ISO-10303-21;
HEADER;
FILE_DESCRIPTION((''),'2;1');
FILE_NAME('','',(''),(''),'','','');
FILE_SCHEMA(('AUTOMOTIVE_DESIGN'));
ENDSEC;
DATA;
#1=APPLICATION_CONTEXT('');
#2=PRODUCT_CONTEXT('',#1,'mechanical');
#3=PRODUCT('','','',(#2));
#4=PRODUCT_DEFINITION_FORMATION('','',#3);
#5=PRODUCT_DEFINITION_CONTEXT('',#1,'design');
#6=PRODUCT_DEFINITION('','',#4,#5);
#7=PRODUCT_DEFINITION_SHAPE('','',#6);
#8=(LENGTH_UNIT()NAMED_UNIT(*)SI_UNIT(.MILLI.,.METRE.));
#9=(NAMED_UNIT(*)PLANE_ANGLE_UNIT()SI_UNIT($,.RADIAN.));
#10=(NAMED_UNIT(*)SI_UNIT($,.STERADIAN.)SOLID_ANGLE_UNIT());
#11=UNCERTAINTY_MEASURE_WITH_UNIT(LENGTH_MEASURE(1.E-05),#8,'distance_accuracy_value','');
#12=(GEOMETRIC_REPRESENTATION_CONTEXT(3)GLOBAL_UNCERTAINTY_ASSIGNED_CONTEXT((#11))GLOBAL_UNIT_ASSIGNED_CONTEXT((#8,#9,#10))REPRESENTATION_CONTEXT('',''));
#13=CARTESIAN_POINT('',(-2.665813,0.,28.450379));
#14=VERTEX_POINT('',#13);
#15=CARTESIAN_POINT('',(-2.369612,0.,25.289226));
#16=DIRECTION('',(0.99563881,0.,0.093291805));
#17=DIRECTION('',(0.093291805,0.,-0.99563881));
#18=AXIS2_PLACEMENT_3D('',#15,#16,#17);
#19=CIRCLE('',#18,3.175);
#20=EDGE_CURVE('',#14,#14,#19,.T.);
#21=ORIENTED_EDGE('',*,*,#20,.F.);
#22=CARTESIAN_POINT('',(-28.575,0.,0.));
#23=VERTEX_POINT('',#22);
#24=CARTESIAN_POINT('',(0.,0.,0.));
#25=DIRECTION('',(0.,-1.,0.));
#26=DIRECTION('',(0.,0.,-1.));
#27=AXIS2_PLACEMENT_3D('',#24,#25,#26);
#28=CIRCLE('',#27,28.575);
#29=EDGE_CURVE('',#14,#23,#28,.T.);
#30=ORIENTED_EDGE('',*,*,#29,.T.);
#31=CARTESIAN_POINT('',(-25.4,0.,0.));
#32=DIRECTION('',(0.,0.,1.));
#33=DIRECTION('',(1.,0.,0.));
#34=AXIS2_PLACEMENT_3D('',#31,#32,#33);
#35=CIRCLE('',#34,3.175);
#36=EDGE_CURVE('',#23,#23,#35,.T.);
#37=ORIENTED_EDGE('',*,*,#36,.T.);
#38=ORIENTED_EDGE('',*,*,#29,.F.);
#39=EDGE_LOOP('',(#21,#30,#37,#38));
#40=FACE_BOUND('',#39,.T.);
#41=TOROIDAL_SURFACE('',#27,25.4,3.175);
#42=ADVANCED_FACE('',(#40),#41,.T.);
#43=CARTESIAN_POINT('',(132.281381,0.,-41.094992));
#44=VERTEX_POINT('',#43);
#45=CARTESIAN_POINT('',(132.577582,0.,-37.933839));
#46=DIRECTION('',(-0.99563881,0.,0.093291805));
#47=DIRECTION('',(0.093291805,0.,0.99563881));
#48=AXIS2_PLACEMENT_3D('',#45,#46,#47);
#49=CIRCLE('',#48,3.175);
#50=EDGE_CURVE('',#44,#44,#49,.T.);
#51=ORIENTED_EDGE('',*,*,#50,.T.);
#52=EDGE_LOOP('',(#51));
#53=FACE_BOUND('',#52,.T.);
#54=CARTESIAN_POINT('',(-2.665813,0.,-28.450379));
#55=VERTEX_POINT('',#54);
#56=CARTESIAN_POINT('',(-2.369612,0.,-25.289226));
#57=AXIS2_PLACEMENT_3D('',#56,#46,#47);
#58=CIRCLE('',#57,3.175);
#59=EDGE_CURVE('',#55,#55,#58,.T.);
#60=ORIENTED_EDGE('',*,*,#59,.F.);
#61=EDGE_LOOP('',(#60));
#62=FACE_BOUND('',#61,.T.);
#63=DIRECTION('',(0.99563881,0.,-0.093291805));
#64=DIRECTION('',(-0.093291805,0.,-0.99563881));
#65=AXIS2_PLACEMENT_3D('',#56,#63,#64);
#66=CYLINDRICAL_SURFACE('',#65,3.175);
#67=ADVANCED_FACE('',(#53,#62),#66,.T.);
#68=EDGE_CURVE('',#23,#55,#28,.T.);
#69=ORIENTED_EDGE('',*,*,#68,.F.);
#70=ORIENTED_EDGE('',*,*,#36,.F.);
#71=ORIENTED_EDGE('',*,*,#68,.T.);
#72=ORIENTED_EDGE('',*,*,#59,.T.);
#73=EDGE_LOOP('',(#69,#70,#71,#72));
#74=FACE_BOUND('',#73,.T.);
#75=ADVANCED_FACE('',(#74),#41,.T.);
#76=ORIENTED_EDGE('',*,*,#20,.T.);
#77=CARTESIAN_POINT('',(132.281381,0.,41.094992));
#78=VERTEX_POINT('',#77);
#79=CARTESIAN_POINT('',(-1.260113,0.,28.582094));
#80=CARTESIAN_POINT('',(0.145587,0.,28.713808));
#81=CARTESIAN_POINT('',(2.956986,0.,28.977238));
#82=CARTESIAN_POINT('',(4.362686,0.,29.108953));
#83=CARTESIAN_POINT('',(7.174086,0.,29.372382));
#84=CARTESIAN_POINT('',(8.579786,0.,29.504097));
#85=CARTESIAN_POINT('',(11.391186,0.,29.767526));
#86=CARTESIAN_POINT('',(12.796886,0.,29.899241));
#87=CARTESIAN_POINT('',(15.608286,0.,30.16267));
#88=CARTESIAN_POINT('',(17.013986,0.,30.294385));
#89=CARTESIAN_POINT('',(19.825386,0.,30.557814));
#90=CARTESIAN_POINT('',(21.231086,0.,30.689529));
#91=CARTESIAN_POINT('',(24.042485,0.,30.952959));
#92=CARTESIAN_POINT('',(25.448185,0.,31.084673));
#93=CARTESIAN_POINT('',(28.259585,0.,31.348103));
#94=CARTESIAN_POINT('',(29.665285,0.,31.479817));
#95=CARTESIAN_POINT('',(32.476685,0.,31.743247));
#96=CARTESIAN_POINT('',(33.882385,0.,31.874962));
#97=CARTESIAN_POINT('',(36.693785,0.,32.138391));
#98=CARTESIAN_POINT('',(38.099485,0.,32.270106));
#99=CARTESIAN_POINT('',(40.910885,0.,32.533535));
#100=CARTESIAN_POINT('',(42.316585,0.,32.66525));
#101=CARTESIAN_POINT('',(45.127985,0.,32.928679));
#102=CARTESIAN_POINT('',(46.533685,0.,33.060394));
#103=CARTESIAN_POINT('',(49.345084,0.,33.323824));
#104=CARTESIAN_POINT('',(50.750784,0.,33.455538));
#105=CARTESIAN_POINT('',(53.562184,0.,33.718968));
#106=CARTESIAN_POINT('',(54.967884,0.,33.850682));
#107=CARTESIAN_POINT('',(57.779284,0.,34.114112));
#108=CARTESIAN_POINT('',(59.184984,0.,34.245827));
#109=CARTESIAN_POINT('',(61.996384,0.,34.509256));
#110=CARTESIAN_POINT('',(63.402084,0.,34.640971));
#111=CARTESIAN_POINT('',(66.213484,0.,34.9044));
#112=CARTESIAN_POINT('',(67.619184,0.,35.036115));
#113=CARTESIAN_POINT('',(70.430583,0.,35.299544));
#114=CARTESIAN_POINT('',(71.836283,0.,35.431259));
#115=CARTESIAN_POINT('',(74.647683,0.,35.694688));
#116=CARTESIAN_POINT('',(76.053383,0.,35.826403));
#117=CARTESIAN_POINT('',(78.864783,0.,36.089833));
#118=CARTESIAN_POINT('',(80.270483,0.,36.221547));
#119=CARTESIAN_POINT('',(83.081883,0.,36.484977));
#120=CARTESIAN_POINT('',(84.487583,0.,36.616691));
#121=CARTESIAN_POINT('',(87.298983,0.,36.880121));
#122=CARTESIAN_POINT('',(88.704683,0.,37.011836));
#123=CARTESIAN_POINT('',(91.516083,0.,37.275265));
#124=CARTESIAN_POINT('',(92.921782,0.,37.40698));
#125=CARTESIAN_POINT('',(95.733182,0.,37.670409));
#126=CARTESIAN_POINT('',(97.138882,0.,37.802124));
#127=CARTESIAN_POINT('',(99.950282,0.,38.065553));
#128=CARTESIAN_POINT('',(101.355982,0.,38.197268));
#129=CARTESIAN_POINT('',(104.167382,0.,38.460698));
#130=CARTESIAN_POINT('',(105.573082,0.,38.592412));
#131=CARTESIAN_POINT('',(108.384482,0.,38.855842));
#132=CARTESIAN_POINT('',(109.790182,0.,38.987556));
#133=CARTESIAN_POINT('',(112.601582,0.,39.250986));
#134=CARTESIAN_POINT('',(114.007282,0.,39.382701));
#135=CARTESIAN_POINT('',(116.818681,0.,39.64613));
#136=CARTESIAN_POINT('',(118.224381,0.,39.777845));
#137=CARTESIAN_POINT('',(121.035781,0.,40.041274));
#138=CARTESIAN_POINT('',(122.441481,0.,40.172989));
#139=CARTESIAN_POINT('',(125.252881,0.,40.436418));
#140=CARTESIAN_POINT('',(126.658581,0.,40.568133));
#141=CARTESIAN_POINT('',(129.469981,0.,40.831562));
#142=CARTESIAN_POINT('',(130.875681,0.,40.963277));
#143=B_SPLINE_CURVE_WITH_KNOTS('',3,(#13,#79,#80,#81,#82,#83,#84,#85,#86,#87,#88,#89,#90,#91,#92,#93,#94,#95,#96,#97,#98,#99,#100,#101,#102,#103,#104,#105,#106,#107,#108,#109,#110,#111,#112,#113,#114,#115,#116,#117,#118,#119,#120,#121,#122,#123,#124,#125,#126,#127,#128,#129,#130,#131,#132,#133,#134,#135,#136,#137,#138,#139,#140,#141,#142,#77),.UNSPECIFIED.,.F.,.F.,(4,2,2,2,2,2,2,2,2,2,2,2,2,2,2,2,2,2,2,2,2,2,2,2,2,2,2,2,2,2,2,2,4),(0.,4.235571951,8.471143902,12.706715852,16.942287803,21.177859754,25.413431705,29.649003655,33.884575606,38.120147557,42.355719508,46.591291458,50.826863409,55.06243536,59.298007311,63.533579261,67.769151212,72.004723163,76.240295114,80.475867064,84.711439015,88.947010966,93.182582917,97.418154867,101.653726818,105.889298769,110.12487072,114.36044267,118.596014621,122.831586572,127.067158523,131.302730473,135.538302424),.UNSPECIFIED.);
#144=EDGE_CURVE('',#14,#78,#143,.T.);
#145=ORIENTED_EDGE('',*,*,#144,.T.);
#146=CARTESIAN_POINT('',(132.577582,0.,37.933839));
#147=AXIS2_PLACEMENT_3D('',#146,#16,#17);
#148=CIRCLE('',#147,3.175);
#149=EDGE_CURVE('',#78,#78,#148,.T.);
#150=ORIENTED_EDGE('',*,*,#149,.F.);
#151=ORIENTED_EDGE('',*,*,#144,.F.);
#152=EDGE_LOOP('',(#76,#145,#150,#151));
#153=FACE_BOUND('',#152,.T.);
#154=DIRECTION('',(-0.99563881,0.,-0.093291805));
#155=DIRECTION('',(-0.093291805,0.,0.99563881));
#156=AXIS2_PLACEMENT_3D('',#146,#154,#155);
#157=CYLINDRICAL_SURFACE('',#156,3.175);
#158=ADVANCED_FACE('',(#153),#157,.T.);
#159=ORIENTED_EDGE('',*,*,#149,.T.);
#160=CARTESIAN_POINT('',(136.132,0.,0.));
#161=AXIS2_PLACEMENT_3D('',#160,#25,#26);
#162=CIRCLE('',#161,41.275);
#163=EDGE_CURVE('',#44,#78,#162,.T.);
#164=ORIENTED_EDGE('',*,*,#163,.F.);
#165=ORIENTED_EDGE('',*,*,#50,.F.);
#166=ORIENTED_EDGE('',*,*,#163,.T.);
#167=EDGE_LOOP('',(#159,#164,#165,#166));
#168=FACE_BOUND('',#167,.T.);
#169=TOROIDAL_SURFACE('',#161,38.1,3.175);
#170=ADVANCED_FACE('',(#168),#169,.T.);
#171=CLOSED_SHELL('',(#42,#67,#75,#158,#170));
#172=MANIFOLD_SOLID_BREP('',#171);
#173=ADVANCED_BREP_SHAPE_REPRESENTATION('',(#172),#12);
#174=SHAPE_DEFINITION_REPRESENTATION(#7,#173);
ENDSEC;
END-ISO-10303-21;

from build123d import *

# Parameters (mm, degrees)
SKETCH2_R = 3.175


with BuildPart() as part:
    # Sweep1: sweep along a path in Sketch1
    with BuildLine(Plane(origin=(0, 0, 0), x_dir=(1, 0, 0), z_dir=(0, 1, 0))) as sweep1_path:
        Line((-2.369611847, 25.289225763), (132.577582229, 37.933838645))
        ThreePointArc((132.577582229, 37.933838645), (174.232, 0), (132.577582229, -37.933838645))
        Line((132.577582229, -37.933838645), (-2.369611847, -25.289225763))
        ThreePointArc((-2.369611847, -25.289225763), (-25.4, 0), (-2.369611847, 25.289225763))
    # Sketch2 → Sweep1 (sweep)
    with BuildSketch(Plane.XY):
        with Locations((-25.4, 0)):
            Circle(SKETCH2_R)
    sweep(path=sweep1_path.line)


solid = part.part
